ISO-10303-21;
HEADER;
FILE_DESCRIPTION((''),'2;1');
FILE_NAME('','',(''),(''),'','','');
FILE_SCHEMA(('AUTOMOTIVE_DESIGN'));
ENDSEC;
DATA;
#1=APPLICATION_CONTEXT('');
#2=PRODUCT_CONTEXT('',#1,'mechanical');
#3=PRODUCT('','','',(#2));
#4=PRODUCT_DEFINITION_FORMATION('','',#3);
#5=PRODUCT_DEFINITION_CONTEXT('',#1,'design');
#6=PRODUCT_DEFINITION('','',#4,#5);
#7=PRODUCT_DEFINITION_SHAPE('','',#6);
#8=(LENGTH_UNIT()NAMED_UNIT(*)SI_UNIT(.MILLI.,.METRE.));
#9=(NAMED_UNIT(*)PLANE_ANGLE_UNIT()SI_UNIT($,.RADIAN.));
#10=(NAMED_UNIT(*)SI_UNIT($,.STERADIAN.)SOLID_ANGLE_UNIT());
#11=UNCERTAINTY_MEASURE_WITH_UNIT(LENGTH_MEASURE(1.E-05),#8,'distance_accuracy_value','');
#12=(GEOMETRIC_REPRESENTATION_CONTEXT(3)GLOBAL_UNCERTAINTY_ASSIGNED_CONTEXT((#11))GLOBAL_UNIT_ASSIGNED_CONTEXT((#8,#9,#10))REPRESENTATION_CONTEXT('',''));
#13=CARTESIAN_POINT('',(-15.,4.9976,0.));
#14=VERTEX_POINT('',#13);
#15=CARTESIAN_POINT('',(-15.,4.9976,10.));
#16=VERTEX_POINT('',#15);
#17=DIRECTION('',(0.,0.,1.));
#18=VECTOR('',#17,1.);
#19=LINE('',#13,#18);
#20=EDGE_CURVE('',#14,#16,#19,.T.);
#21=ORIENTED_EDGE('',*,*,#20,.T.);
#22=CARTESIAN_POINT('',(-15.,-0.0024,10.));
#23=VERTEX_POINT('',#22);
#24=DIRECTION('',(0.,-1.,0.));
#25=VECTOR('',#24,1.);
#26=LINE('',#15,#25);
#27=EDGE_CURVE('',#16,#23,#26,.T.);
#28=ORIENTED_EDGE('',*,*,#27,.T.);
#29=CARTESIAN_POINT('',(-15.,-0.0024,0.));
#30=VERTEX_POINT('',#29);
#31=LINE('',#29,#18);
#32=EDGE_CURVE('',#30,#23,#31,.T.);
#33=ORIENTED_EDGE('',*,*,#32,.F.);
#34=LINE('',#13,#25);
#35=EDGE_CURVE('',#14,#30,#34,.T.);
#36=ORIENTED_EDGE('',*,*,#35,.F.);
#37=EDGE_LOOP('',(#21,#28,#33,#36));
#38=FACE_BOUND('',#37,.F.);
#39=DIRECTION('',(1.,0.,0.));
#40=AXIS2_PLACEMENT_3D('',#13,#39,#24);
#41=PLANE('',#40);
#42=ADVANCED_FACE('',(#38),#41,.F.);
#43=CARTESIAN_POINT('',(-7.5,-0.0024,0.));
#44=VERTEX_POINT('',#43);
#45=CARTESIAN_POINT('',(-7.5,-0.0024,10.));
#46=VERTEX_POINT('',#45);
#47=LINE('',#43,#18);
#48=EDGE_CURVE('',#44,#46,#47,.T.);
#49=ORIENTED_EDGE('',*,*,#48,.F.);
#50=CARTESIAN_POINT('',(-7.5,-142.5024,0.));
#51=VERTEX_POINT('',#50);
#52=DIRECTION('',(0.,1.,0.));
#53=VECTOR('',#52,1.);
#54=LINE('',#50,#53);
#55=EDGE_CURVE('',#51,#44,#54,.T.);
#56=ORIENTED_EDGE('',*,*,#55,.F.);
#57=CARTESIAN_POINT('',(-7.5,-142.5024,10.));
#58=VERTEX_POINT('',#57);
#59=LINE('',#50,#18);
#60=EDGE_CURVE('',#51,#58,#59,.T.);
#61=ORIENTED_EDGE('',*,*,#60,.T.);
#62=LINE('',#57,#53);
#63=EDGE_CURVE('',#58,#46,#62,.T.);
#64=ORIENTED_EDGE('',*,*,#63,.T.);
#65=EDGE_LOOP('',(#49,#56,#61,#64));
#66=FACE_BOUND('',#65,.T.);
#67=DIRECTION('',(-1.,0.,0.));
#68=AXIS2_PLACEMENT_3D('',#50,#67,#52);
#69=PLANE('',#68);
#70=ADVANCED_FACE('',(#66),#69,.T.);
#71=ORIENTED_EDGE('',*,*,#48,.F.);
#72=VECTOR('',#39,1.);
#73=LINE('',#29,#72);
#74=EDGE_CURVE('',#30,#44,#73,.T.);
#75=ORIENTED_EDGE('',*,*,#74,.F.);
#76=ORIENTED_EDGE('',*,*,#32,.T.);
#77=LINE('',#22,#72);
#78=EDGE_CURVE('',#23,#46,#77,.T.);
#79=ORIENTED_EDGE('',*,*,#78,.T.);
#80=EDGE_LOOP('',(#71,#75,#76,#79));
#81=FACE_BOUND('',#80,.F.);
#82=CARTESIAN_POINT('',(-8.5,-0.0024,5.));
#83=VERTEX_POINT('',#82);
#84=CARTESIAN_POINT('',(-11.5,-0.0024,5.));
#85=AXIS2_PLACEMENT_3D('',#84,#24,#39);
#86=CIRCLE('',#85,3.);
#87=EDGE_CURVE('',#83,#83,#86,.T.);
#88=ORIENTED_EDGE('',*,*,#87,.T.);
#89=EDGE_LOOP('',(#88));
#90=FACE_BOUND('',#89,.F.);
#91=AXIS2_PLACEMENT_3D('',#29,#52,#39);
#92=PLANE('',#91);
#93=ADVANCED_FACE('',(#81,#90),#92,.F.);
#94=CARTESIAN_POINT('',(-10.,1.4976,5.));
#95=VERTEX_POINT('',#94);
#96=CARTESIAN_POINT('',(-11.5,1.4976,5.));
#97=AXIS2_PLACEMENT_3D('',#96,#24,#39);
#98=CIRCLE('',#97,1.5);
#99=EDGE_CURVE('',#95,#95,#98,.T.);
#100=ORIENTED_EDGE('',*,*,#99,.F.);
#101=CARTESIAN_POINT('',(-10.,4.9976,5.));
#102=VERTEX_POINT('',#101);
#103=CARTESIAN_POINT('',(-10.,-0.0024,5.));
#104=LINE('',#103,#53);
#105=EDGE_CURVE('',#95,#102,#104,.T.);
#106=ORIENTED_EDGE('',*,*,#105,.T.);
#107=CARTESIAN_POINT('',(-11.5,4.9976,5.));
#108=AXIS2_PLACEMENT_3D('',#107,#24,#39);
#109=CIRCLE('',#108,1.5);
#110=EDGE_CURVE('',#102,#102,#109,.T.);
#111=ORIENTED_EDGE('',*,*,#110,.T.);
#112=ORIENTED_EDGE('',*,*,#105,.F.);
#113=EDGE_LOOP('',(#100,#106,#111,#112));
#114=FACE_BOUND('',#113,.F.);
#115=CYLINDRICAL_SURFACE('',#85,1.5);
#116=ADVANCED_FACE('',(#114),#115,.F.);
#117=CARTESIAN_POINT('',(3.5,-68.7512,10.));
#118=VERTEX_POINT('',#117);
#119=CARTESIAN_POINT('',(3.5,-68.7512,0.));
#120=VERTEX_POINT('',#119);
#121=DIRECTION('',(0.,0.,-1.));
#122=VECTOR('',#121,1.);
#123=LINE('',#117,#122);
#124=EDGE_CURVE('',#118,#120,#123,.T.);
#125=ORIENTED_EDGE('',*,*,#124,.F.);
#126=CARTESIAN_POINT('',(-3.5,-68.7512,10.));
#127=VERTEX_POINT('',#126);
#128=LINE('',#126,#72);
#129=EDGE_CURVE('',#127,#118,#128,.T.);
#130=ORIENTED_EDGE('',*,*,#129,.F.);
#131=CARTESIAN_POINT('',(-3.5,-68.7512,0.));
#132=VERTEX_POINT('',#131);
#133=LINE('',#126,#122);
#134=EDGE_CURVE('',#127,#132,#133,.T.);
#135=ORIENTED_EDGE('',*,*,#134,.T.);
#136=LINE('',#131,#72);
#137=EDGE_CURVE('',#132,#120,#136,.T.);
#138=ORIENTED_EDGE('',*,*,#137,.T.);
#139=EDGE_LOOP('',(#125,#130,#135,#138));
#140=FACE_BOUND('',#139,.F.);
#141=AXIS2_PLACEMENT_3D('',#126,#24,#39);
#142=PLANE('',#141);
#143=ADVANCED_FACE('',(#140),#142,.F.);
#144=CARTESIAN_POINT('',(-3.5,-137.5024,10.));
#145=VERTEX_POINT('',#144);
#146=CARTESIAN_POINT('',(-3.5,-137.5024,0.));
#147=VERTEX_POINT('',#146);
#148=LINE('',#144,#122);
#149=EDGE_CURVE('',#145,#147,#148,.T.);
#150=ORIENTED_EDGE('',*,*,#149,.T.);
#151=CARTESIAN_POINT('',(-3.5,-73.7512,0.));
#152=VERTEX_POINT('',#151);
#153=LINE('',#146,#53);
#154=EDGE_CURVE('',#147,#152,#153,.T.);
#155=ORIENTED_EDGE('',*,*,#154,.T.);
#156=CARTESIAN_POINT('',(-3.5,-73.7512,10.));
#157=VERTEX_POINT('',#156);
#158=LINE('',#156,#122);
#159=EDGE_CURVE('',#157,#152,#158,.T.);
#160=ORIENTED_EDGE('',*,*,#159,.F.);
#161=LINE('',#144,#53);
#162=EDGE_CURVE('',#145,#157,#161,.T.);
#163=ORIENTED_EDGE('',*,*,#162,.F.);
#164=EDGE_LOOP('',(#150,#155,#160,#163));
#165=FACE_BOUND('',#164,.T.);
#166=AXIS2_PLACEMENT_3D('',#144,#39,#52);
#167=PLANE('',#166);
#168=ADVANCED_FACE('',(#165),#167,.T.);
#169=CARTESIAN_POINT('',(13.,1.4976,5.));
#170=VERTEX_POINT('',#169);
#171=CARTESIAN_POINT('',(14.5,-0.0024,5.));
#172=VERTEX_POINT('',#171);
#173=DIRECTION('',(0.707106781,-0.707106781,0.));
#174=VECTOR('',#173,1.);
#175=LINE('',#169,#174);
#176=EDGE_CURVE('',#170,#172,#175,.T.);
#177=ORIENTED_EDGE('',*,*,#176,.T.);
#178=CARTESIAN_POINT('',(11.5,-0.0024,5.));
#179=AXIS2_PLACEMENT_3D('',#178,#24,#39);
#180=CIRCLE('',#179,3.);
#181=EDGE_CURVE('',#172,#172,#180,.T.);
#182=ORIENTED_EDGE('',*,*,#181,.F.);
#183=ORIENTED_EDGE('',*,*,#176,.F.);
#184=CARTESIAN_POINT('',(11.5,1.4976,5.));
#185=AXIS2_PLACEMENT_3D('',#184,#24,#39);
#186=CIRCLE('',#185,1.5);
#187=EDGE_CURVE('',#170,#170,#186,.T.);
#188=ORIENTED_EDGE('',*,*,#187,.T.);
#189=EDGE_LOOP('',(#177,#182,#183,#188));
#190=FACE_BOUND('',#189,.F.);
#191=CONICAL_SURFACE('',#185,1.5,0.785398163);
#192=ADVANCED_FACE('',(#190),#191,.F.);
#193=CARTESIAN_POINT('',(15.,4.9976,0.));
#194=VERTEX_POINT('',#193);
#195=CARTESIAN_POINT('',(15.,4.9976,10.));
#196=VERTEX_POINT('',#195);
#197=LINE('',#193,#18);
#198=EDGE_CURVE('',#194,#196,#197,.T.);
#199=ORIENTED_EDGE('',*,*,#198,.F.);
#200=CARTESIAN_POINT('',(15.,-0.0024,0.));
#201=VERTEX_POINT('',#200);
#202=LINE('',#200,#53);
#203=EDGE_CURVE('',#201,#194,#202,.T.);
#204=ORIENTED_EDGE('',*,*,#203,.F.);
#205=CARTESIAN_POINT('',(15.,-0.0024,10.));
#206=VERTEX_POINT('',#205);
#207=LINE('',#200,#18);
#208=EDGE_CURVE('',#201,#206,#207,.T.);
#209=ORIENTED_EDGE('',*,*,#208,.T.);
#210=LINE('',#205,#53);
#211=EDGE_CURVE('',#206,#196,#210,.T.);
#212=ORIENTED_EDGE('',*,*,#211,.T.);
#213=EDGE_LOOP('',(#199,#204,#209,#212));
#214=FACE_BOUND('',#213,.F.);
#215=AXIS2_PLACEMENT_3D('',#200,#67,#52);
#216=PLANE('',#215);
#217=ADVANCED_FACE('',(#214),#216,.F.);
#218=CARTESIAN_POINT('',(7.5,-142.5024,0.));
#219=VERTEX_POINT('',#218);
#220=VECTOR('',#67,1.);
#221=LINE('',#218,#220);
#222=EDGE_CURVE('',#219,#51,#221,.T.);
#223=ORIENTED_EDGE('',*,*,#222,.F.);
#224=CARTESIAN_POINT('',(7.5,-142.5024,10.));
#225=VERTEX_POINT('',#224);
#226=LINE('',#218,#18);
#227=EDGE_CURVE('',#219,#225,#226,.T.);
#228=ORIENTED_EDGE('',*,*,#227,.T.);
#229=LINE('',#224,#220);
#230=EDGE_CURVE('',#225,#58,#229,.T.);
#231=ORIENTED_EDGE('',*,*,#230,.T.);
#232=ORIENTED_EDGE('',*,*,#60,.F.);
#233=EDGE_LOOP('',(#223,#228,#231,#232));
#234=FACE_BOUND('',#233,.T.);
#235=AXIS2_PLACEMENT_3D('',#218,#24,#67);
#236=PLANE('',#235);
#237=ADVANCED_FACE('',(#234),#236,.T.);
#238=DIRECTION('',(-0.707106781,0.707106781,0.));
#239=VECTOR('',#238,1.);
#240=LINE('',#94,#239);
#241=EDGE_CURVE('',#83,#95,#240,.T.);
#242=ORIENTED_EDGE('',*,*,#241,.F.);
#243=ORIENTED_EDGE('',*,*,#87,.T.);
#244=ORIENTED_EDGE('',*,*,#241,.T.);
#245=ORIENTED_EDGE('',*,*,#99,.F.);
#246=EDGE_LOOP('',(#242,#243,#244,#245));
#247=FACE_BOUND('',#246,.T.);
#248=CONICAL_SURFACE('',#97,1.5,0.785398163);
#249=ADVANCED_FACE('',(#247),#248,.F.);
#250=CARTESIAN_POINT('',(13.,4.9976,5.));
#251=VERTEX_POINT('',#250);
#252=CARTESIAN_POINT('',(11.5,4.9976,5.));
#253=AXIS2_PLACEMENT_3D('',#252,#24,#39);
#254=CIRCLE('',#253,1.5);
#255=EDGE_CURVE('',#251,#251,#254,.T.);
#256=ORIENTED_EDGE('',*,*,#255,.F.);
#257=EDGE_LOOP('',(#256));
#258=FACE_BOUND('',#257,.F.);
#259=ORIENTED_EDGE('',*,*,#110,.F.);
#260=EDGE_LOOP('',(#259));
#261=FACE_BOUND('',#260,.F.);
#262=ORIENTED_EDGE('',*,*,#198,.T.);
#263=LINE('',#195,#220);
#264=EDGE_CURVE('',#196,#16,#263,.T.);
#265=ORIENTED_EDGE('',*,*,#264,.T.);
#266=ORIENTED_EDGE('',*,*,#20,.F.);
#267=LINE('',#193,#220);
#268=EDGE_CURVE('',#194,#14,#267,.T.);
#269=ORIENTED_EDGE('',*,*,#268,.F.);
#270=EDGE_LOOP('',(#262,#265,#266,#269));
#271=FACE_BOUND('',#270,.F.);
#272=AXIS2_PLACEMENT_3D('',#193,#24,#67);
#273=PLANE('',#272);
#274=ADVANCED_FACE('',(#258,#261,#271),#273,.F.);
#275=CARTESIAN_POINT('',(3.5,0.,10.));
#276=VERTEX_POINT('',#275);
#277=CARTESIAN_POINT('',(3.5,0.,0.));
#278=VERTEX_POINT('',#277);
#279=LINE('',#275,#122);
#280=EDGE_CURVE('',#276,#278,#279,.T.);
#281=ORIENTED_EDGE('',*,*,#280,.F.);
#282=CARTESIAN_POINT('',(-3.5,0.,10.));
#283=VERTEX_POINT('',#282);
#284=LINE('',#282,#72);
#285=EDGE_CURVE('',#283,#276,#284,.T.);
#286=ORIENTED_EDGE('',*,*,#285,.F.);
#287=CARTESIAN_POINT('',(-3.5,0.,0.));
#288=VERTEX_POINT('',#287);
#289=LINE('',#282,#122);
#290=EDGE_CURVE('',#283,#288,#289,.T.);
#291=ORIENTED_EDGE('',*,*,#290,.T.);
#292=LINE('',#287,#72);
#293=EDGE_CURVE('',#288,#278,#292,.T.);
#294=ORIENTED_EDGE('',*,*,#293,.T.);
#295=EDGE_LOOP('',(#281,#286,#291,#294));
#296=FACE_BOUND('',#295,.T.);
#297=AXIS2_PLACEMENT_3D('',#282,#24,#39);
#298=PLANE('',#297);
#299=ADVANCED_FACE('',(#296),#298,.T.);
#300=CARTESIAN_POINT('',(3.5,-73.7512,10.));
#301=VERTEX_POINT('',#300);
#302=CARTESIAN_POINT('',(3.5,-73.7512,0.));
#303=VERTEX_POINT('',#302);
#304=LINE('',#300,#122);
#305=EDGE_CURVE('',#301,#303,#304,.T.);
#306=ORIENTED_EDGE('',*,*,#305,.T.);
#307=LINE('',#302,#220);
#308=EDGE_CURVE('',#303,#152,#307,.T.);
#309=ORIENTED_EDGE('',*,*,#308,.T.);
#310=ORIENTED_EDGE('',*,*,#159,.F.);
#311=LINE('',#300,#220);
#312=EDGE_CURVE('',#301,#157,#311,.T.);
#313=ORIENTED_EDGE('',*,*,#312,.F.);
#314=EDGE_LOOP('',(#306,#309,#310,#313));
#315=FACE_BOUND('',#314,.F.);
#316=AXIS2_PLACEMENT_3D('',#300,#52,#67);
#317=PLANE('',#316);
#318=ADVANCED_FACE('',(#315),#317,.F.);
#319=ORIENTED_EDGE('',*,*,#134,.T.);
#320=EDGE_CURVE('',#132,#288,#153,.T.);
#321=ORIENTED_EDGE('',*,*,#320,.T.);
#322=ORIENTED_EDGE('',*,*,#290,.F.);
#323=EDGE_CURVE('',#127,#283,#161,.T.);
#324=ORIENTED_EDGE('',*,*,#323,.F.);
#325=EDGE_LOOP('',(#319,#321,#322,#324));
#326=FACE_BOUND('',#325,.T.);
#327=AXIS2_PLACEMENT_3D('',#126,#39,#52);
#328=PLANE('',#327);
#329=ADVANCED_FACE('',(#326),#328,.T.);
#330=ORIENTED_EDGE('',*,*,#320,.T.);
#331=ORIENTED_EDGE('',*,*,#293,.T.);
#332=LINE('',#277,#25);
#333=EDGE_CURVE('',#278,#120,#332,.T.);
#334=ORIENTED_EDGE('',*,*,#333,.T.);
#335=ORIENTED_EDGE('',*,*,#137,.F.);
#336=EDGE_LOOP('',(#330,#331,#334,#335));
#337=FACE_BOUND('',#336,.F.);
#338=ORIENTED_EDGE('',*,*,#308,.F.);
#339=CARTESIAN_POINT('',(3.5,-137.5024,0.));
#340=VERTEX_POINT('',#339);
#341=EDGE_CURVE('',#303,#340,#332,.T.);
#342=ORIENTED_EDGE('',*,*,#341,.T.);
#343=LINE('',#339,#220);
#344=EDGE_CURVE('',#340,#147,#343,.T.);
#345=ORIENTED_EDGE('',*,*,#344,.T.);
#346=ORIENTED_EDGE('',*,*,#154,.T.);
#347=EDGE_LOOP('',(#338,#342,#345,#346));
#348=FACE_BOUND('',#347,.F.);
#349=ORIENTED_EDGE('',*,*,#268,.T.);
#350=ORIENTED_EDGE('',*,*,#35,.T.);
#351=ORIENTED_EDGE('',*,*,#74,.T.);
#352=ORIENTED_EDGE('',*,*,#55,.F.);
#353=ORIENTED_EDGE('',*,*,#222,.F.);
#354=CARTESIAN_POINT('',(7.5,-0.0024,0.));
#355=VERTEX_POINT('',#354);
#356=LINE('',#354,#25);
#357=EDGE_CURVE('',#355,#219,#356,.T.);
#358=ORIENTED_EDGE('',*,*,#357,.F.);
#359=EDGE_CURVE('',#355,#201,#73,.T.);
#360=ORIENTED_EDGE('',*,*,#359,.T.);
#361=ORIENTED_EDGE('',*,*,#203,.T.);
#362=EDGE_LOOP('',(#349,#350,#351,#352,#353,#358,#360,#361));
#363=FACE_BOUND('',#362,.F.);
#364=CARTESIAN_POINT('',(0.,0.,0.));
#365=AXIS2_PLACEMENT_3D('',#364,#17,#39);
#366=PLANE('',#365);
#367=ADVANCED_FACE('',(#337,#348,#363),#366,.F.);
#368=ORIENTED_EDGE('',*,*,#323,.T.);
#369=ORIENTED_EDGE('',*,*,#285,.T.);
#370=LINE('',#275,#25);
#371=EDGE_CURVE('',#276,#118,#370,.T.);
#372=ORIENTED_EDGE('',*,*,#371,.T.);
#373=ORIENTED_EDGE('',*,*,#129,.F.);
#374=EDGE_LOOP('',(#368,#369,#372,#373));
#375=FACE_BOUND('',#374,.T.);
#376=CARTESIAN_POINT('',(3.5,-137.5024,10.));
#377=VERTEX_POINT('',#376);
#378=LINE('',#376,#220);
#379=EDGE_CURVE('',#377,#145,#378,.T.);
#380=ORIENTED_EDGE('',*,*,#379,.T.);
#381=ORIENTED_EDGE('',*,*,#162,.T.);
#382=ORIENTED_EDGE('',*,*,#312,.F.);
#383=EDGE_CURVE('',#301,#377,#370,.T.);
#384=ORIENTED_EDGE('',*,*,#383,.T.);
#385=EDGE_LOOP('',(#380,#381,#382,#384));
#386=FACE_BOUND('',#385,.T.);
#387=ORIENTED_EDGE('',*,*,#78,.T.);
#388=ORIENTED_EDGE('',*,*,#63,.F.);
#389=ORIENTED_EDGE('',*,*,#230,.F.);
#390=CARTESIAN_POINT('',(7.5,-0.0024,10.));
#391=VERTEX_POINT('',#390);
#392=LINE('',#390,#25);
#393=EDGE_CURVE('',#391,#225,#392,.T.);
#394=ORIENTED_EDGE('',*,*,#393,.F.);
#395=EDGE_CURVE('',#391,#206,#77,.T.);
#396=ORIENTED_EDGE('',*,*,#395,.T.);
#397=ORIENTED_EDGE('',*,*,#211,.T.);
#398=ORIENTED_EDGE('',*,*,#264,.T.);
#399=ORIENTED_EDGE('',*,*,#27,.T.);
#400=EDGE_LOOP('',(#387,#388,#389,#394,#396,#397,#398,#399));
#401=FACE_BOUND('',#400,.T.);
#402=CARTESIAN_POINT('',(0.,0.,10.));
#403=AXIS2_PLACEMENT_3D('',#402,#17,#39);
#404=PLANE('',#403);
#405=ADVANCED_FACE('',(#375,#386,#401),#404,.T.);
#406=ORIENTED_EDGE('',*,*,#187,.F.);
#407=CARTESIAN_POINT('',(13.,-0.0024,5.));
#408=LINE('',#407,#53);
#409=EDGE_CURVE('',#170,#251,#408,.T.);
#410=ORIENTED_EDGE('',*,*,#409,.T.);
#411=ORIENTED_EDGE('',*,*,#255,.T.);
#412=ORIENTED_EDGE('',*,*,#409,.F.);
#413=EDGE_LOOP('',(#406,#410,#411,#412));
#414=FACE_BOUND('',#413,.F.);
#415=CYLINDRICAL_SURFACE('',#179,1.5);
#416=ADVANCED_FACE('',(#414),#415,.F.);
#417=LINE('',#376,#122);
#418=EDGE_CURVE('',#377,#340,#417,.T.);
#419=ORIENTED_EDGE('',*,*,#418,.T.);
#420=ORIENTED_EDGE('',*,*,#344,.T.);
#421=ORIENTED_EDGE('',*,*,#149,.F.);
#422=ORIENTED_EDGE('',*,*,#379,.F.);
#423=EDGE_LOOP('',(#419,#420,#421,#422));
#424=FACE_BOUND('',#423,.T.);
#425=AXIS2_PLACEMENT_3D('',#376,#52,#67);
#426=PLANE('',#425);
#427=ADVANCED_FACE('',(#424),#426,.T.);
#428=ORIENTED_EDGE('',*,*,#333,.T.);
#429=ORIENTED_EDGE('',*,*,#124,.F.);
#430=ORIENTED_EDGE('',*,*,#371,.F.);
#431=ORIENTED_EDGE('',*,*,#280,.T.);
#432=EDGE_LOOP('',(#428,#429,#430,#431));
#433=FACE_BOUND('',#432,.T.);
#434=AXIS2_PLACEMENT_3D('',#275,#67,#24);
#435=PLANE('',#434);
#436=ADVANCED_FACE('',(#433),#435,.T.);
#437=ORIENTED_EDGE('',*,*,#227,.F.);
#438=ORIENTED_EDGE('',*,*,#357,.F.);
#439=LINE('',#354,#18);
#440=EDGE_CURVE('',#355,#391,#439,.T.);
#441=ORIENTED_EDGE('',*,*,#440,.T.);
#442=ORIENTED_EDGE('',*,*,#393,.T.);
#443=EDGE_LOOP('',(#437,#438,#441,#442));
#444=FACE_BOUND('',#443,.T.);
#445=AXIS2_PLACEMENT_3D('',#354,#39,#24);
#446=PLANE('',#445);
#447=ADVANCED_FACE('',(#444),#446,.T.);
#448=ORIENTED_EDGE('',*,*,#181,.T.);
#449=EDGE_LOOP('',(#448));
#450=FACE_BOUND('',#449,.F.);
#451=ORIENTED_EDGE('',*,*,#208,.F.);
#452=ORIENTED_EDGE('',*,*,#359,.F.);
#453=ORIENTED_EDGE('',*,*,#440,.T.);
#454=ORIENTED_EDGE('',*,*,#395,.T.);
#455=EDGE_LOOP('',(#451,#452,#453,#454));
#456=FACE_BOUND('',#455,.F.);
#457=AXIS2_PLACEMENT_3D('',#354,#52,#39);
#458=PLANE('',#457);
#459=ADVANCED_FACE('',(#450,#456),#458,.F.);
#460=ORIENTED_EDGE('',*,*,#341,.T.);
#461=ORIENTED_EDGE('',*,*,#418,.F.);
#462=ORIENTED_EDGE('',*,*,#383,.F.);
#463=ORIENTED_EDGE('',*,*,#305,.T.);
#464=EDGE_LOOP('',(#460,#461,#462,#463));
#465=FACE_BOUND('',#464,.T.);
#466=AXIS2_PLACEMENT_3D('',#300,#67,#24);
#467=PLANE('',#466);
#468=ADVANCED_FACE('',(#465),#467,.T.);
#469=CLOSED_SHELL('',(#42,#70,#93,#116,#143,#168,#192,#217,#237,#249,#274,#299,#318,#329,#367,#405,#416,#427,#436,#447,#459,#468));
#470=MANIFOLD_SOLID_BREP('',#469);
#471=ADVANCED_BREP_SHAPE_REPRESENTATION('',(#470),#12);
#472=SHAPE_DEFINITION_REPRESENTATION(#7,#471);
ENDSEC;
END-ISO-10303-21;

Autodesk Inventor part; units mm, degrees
ref_plane "YZ Plane" through (0, 0, 0) normal (1, 0, 0) x (0, 1, 0)
ref_plane "XZ Plane" through (0, 0, 0) normal (0, 1, 0) x (-1, 0, 0)
ref_plane "XY Plane" through (0, 0, 0) normal (0, 0, 1) x (1, 0, 0)
sketch "Sketch1" plane through (0, 0, 0) normal (0, 0, 1) x (1, 0, 0)
  line L0 (-15, -0.0024) -> (15, -0.0024)
  line L1 (15, -0.0024) -> (15, 4.9976)
  line L2 (15, 4.9976) -> (-15, 4.9976)
  line L3 (-15, 4.9976) -> (-15, -0.0024)
  line L4 (-7.5, -0.0024) -> (7.5, -0.0024)
  line L5 (7.5, -0.0024) -> (7.5, -142.5024)
  line L6 (7.5, -142.5024) -> (-7.5, -142.5024)
  line L7 (-7.5, -142.5024) -> (-7.5, -0.0024)
  point P0 (0, 0)
  point P1 (0, -0.0024)
  point P2 (7.5, -0.0024)
  dimension "d0" = 5
  dimension "d1" = 147.5
  dimension "d3" = 7.5
  dimension "d5" = 30
  dimension "d6" = 15
  dimension "d7" = 7.5
extrude "Extrusion1" add sketch "Sketch1" along normal blind 10
sketch "Sketch2" plane through (0, 0, 10) normal (0, 0, 1) x (1, 0, 0)
  line L0 (-3.5, 0) -> (3.5, 0)
  line L1 (3.5, 0) -> (3.5, -137.5024)
  line L2 (3.5, -137.5024) -> (-3.5, -137.5024)
  line L3 (-3.5, -137.5024) -> (-3.5, 0)
  line L4 (-7.5, -0.0024) -> (-7.5, -142.5024) projected
  line L5 (7.5, -142.5024) -> (7.5, -0.0024) projected
  line L6 (-7.5, -142.5024) -> (7.5, -142.5024) projected
  line L7 (-3.5, -68.7512) -> (3.5, -68.7512)
  line L8 (3.5, -68.7512) -> (3.5, -73.7512)
  line L9 (3.5, -73.7512) -> (-3.5, -73.7512)
  line L10 (-3.5, -73.7512) -> (-3.5, -68.7512)
  point P0 (0, 0)
  point P1 (3.5, -68.7512)
  dimension "d10" = 4
  dimension "d11" = 4
  dimension "d12" = 5
  dimension "d13" = 5
extrude "Extrusion2" cut sketch "Sketch2" against normal blind 10 contours L0 L1 L7 L3 | L9 L1 L2 L3
sketch "Sketch3" plane through (7.5, -0.0024, 0) normal (0, -1, 0) x (1, 0, 0)
  circle A0 centre (4, 5) radius 1.5
  circle A1 centre (-19, 5) radius 1.5
  line L0 (7.5, 0) -> (7.5, 10) projected
  line L1 (0, 10) -> (7.5, 10) projected
  line L2 (-22.5, 10) -> (-15, 10) projected
  line L3 (-22.5, 0) -> (-22.5, 10) projected
  point P0 (-7.5, 0)
  point P1 (-18.75, 10)
  dimension "d16" = 3.5
  dimension "d17" = 5
  dimension "d19" = 5
  dimension "d20" = 3.5
  dimension "d21" = 3
  dimension "d22" = 3
extrude "Extrusion3" cut sketch "Sketch3" against normal blind 10
chamfer "Chamfer1" distance 1.5 angle 45 2 edges at (-13, -0.0024, 5) (10, -0.0024, 5)
properties part number "CenterSupport"
